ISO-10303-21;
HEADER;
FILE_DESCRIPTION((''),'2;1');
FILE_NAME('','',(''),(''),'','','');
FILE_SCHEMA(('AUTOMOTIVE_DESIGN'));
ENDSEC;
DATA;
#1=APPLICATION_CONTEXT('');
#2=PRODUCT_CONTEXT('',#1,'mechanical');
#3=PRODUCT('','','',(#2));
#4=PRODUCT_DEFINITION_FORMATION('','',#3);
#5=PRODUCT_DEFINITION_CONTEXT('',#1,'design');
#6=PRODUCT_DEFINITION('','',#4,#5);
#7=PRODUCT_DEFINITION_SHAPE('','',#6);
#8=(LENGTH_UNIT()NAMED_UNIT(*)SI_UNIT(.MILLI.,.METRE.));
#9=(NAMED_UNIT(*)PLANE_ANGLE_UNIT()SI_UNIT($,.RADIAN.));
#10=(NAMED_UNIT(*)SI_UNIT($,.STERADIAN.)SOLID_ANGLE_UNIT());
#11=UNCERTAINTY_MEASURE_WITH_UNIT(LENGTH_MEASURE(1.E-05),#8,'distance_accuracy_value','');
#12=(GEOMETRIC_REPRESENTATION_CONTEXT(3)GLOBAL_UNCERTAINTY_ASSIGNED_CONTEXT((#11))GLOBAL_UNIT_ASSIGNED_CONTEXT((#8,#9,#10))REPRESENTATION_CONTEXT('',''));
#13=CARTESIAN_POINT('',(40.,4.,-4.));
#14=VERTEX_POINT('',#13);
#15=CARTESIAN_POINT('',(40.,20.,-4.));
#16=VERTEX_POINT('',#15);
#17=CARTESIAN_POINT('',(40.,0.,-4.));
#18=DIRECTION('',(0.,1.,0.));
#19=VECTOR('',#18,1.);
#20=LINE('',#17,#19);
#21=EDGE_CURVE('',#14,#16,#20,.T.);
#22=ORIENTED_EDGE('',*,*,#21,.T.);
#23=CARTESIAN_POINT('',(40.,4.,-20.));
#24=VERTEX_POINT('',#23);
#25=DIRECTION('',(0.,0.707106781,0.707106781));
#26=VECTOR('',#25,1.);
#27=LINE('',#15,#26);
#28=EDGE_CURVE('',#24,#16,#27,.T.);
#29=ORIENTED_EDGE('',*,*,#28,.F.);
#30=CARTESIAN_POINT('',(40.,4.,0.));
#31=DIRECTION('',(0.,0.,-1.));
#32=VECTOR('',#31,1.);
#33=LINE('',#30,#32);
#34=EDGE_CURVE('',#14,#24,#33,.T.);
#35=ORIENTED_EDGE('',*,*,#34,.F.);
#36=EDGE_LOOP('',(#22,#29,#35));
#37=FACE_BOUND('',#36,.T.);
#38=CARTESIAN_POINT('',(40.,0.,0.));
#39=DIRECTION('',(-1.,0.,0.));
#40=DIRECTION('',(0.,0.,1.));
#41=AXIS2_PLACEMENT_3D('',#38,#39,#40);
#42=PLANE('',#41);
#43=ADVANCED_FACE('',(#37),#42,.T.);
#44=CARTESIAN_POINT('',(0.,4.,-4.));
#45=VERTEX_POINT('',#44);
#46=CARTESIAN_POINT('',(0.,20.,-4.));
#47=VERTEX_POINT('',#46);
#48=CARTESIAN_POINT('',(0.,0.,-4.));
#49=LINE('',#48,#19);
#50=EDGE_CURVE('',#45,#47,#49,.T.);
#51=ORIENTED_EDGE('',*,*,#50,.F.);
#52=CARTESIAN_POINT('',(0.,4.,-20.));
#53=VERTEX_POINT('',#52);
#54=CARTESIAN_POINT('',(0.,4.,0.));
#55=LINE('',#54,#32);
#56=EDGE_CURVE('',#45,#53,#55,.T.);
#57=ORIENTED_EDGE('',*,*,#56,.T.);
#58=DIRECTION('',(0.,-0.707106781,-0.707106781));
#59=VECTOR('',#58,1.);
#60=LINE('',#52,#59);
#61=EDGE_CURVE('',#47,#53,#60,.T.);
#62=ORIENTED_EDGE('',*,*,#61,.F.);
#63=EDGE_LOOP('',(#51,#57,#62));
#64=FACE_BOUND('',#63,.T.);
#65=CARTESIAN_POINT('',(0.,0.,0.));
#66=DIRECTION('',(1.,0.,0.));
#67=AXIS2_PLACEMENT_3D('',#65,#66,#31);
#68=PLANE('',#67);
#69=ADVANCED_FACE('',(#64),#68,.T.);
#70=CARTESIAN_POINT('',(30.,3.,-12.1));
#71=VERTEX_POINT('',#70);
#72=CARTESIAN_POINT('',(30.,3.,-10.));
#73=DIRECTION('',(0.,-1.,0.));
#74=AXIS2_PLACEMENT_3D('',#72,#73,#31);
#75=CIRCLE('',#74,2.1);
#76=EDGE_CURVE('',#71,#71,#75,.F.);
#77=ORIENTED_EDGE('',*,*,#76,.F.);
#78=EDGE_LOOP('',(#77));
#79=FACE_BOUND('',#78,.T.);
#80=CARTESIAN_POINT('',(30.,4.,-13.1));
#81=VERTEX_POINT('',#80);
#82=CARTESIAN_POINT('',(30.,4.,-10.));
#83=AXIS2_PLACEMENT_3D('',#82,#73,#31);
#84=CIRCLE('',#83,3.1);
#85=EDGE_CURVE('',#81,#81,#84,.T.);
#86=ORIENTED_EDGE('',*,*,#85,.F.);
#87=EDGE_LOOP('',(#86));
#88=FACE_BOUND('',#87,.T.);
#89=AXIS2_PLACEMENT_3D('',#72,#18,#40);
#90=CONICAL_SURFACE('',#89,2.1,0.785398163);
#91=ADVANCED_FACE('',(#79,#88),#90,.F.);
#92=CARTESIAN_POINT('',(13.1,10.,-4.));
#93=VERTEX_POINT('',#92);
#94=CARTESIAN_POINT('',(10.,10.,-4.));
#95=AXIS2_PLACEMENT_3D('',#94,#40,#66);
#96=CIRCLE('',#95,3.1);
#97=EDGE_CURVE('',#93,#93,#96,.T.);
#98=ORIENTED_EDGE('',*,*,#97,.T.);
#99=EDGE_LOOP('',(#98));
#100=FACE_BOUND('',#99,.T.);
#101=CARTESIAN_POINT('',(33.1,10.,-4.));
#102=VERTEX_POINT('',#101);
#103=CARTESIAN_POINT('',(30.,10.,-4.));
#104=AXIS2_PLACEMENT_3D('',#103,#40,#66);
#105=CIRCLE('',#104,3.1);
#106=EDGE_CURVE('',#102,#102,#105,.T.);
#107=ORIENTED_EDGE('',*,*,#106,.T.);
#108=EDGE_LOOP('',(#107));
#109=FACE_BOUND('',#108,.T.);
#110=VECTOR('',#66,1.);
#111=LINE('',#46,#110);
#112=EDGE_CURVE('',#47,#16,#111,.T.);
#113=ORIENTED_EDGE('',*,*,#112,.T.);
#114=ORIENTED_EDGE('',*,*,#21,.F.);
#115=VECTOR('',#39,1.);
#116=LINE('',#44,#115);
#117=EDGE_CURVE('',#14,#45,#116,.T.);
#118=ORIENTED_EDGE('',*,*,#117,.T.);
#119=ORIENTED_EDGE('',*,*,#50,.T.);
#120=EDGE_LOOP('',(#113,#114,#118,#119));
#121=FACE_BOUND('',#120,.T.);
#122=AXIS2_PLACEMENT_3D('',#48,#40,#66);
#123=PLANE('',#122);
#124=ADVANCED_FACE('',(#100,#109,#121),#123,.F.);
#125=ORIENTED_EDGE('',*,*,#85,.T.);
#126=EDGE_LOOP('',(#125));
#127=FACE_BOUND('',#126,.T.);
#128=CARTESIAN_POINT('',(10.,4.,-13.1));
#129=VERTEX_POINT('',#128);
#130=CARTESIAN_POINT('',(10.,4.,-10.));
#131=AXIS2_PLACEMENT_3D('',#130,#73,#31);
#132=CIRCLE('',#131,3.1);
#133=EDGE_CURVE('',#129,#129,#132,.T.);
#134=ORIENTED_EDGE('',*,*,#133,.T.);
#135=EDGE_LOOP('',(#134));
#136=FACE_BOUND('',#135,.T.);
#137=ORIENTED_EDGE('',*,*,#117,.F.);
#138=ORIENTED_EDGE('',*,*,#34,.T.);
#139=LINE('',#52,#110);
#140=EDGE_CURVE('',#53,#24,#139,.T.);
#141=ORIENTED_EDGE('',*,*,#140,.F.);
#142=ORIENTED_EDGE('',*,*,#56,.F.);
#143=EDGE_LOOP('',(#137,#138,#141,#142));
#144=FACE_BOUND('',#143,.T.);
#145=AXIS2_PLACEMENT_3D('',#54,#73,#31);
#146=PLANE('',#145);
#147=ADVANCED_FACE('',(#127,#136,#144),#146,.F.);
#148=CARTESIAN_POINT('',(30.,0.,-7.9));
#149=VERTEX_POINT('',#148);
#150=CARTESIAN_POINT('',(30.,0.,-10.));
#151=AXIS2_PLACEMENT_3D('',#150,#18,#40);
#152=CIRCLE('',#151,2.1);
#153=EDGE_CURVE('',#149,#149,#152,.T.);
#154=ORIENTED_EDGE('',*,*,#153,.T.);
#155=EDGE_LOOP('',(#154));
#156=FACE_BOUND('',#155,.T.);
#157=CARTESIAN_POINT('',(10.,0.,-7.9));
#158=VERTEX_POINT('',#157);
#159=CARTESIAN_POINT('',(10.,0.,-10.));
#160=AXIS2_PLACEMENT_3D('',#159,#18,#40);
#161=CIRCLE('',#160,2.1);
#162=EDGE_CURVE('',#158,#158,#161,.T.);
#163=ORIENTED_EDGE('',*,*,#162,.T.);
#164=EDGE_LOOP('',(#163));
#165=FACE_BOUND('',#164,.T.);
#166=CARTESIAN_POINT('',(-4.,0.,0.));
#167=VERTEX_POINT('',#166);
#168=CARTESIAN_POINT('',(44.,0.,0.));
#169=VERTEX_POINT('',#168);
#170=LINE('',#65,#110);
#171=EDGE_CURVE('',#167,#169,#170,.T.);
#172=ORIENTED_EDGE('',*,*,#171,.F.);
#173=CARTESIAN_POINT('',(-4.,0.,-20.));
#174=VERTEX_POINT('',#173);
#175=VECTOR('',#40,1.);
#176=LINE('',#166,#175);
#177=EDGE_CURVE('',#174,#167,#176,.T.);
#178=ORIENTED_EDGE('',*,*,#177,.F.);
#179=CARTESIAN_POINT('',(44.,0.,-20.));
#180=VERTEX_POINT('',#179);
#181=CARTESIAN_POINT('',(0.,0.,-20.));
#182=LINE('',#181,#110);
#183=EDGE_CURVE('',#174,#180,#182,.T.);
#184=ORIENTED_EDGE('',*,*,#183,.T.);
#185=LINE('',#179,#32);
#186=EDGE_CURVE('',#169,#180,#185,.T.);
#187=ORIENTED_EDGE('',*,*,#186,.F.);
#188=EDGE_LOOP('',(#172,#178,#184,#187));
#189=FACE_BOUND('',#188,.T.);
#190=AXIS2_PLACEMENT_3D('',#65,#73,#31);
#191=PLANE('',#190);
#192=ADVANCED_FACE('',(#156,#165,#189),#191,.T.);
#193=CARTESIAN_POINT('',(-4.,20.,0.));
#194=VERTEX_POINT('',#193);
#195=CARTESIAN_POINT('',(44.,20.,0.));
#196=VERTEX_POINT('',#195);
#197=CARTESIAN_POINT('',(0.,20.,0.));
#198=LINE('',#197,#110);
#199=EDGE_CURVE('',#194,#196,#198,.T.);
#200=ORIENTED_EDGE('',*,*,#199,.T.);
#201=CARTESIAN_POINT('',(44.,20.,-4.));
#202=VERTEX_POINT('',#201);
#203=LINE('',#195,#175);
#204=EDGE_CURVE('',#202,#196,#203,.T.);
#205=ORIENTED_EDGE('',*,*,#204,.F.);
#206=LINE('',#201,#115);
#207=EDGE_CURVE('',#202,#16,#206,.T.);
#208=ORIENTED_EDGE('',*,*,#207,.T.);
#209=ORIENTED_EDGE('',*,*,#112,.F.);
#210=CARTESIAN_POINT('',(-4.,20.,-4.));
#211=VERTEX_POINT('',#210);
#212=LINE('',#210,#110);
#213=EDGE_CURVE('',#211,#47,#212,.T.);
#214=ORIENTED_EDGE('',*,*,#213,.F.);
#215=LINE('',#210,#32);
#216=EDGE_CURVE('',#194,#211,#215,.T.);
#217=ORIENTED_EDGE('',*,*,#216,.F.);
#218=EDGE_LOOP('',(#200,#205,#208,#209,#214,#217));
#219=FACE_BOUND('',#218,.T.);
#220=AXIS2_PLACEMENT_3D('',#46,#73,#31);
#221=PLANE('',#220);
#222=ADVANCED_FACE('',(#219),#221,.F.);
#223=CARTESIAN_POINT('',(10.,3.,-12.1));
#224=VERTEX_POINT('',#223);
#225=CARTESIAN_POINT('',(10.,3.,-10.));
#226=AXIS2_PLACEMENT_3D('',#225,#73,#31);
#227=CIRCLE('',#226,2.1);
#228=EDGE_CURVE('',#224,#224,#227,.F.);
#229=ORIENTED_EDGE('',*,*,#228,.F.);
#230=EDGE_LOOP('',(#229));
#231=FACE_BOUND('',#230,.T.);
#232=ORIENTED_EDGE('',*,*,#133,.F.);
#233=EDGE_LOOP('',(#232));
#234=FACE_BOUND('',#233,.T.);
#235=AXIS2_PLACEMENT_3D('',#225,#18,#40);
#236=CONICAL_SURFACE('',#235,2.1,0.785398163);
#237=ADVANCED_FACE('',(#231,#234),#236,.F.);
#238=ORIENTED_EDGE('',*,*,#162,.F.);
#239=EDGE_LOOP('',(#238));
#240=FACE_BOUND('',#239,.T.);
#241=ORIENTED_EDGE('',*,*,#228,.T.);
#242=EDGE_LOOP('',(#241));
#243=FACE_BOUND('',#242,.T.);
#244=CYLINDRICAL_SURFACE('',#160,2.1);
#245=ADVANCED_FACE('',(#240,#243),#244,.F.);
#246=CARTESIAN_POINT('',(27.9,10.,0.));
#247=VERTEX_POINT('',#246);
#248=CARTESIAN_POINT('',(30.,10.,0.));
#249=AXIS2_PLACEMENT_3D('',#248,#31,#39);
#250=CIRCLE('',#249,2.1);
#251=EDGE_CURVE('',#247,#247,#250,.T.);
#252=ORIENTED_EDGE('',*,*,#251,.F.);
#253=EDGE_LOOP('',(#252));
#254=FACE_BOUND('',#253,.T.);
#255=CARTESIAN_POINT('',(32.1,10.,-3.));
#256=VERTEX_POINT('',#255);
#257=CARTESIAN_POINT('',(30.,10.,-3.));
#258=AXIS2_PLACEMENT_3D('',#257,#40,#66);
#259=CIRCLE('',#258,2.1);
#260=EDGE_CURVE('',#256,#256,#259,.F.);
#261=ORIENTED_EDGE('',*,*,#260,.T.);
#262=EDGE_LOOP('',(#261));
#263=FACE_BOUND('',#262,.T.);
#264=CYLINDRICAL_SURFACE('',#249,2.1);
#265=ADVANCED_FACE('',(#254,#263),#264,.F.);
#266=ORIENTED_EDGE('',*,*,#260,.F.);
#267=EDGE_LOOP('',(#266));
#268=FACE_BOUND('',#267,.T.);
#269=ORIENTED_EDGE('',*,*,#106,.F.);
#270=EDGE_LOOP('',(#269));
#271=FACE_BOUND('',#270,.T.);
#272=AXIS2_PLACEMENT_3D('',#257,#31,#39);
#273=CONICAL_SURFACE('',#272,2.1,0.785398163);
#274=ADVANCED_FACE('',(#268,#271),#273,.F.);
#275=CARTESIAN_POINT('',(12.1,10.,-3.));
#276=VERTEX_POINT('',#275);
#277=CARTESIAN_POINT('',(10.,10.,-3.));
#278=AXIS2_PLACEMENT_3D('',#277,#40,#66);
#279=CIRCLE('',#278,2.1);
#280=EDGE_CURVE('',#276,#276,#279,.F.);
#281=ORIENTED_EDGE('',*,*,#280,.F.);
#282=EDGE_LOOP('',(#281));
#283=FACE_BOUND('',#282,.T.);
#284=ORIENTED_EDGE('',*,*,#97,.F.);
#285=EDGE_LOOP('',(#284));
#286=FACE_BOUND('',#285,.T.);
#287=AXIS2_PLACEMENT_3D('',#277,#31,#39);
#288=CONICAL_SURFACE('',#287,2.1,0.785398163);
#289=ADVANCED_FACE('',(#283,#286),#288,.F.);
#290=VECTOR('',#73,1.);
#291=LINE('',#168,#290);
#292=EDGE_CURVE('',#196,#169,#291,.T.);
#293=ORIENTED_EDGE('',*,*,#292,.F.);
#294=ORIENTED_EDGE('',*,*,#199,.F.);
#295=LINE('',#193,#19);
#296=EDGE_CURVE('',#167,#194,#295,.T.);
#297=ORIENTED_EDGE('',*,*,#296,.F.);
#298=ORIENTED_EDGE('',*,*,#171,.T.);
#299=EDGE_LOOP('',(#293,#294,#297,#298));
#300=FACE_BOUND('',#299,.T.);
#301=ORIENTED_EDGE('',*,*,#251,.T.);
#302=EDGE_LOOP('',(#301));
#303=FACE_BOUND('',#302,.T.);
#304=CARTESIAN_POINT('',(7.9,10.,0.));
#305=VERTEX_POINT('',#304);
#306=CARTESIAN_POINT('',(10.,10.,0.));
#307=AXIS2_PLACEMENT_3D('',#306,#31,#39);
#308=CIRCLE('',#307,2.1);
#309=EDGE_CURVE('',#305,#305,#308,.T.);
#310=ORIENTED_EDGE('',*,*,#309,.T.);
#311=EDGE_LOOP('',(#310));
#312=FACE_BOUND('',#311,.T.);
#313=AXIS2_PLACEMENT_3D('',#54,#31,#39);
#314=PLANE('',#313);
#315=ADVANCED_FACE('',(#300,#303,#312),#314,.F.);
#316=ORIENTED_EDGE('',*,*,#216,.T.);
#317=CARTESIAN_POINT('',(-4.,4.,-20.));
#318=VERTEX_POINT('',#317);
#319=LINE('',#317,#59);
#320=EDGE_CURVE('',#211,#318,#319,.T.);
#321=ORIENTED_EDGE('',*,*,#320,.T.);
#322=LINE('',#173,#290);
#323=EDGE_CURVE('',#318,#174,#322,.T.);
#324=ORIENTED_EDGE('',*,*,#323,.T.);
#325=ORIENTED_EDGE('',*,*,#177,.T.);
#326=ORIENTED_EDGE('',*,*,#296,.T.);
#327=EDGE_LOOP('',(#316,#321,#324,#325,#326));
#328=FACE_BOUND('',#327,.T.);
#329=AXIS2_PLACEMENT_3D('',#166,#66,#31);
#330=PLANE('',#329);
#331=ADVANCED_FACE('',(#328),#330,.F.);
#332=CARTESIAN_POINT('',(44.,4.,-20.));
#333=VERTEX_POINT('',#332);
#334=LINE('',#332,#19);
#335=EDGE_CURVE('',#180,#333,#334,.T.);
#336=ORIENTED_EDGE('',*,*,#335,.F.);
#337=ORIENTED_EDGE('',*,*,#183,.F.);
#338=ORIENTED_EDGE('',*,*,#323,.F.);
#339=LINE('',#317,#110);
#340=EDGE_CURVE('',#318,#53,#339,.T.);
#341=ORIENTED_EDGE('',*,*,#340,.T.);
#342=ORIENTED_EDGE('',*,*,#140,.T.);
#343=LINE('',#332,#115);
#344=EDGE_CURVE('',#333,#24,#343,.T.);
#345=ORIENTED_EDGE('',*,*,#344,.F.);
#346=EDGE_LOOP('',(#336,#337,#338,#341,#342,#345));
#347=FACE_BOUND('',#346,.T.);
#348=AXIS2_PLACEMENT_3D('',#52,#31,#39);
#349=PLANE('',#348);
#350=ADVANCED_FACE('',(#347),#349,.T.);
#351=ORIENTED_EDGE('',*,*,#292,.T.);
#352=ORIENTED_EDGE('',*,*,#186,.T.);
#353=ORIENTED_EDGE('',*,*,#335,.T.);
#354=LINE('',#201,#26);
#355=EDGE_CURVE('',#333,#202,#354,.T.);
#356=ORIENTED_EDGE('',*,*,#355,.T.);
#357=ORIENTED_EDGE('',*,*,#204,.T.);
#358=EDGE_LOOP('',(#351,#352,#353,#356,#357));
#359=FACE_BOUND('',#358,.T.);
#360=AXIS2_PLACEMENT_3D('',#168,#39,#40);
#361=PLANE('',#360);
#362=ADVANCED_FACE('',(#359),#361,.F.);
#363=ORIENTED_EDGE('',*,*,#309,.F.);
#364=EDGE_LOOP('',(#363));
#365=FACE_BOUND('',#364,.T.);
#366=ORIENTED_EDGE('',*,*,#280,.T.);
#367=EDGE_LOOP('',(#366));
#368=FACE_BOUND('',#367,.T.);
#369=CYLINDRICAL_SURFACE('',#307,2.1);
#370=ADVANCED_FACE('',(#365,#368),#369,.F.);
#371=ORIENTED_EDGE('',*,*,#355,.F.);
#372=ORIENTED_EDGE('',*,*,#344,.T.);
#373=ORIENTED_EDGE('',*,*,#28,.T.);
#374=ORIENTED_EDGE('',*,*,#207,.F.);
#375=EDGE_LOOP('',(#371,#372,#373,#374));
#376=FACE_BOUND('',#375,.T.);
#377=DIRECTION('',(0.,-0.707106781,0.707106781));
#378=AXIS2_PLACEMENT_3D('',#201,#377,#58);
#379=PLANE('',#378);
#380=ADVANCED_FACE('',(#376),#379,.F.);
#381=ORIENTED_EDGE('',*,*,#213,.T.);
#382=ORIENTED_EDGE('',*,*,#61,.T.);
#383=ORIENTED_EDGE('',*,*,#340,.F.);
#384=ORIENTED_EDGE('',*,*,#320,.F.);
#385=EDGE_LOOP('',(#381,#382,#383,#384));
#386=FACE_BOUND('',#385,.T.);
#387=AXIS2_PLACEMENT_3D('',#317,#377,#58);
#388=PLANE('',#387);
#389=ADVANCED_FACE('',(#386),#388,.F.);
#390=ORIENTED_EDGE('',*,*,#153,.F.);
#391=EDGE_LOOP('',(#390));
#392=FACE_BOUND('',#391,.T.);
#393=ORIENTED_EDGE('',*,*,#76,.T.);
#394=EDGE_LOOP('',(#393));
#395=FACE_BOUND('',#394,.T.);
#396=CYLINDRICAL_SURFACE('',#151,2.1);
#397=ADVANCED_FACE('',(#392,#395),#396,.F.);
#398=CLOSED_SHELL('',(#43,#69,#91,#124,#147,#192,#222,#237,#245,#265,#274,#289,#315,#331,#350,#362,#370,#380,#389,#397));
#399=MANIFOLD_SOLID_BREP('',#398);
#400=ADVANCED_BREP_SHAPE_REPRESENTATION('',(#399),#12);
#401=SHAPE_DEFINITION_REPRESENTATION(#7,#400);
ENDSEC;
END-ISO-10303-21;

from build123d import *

# Parameters (mm, degrees)
SKETCH1_W           = 40
SKETCH1_H           = 20
BOSS_EXTRUDE1_DEPTH = 4
SKETCH2_R           = 2.1
CUT_EXTRUDE1_DEPTH  = 4
SKETCH3_W           = 40
SKETCH3_H           = 20
BOSS_EXTRUDE3_DEPTH = 4
SKETCH4_R           = 2.1
CUT_EXTRUDE2_DEPTH  = 4
BOSS_EXTRUDE4_DEPTH = 4
BOSS_EXTRUDE5_DEPTH = 4
CHAMFER1_SIZE       = 1


with BuildPart() as part:
    # Sketch1 → Boss-Extrude1 (new body)
    with BuildSketch(Plane(origin=(0, 0, 0), x_dir=(1, 0, 0), z_dir=(0, 1, 0))):
        with Locations((20, 10)):
            Rectangle(SKETCH1_W, SKETCH1_H)
    extrude(amount=BOSS_EXTRUDE1_DEPTH)

    # Sketch2 → Cut-Extrude1 (cut)
    with BuildSketch(Plane(origin=(0, 4, 0), x_dir=(1, 0, 0), z_dir=(0, 1, 0))):
        with Locations((10, 10)):
            Circle(SKETCH2_R)
        with Locations((30, 10)):
            Circle(SKETCH2_R)
    extrude(amount=-CUT_EXTRUDE1_DEPTH, mode=Mode.SUBTRACT)

    # Sketch3 → Boss-Extrude3 (add)
    with BuildSketch(Plane.XY):
        with Locations((20, 10)):
            Rectangle(SKETCH3_W, SKETCH3_H)
    extrude(amount=-BOSS_EXTRUDE3_DEPTH)

    # Sketch4 → Cut-Extrude2 (cut)
    with BuildSketch(Plane(origin=(0, 0, -4), x_dir=(-1, 0, 0), z_dir=(0, 0, -1))):
        with Locations((-30, 10)):
            Circle(SKETCH4_R)
        with Locations((-10, 10)):
            Circle(SKETCH4_R)
    extrude(amount=-CUT_EXTRUDE2_DEPTH, mode=Mode.SUBTRACT)

    # Sketch5 → Boss-Extrude4 (add)
    with BuildSketch(Plane.ZY):
        Polygon((-20, 4), (-4, 20), (0, 20), (0, 0), (-20, 0), align=None)
    extrude(amount=BOSS_EXTRUDE4_DEPTH)

    # Sketch6 → Boss-Extrude5 (add)
    with BuildSketch(Plane(origin=(40, 0, 0), x_dir=(0, 0, -1), z_dir=(1, 0, 0))):
        Polygon((0, 20), (4, 20), (20, 4), (20, 0), (0, 0), align=None)
    extrude(amount=BOSS_EXTRUDE5_DEPTH)

    # Chamfer1
    chamfer1_edges = [part.edges().sort_by_distance(p)[0] for p in [
        (7.9, 4, -10),
        (27.9, 4, -10),
        (32.1, 10, -4),
        (12.1, 10, -4),
    ]]
    chamfer(chamfer1_edges, length=CHAMFER1_SIZE)


solid = part.part
